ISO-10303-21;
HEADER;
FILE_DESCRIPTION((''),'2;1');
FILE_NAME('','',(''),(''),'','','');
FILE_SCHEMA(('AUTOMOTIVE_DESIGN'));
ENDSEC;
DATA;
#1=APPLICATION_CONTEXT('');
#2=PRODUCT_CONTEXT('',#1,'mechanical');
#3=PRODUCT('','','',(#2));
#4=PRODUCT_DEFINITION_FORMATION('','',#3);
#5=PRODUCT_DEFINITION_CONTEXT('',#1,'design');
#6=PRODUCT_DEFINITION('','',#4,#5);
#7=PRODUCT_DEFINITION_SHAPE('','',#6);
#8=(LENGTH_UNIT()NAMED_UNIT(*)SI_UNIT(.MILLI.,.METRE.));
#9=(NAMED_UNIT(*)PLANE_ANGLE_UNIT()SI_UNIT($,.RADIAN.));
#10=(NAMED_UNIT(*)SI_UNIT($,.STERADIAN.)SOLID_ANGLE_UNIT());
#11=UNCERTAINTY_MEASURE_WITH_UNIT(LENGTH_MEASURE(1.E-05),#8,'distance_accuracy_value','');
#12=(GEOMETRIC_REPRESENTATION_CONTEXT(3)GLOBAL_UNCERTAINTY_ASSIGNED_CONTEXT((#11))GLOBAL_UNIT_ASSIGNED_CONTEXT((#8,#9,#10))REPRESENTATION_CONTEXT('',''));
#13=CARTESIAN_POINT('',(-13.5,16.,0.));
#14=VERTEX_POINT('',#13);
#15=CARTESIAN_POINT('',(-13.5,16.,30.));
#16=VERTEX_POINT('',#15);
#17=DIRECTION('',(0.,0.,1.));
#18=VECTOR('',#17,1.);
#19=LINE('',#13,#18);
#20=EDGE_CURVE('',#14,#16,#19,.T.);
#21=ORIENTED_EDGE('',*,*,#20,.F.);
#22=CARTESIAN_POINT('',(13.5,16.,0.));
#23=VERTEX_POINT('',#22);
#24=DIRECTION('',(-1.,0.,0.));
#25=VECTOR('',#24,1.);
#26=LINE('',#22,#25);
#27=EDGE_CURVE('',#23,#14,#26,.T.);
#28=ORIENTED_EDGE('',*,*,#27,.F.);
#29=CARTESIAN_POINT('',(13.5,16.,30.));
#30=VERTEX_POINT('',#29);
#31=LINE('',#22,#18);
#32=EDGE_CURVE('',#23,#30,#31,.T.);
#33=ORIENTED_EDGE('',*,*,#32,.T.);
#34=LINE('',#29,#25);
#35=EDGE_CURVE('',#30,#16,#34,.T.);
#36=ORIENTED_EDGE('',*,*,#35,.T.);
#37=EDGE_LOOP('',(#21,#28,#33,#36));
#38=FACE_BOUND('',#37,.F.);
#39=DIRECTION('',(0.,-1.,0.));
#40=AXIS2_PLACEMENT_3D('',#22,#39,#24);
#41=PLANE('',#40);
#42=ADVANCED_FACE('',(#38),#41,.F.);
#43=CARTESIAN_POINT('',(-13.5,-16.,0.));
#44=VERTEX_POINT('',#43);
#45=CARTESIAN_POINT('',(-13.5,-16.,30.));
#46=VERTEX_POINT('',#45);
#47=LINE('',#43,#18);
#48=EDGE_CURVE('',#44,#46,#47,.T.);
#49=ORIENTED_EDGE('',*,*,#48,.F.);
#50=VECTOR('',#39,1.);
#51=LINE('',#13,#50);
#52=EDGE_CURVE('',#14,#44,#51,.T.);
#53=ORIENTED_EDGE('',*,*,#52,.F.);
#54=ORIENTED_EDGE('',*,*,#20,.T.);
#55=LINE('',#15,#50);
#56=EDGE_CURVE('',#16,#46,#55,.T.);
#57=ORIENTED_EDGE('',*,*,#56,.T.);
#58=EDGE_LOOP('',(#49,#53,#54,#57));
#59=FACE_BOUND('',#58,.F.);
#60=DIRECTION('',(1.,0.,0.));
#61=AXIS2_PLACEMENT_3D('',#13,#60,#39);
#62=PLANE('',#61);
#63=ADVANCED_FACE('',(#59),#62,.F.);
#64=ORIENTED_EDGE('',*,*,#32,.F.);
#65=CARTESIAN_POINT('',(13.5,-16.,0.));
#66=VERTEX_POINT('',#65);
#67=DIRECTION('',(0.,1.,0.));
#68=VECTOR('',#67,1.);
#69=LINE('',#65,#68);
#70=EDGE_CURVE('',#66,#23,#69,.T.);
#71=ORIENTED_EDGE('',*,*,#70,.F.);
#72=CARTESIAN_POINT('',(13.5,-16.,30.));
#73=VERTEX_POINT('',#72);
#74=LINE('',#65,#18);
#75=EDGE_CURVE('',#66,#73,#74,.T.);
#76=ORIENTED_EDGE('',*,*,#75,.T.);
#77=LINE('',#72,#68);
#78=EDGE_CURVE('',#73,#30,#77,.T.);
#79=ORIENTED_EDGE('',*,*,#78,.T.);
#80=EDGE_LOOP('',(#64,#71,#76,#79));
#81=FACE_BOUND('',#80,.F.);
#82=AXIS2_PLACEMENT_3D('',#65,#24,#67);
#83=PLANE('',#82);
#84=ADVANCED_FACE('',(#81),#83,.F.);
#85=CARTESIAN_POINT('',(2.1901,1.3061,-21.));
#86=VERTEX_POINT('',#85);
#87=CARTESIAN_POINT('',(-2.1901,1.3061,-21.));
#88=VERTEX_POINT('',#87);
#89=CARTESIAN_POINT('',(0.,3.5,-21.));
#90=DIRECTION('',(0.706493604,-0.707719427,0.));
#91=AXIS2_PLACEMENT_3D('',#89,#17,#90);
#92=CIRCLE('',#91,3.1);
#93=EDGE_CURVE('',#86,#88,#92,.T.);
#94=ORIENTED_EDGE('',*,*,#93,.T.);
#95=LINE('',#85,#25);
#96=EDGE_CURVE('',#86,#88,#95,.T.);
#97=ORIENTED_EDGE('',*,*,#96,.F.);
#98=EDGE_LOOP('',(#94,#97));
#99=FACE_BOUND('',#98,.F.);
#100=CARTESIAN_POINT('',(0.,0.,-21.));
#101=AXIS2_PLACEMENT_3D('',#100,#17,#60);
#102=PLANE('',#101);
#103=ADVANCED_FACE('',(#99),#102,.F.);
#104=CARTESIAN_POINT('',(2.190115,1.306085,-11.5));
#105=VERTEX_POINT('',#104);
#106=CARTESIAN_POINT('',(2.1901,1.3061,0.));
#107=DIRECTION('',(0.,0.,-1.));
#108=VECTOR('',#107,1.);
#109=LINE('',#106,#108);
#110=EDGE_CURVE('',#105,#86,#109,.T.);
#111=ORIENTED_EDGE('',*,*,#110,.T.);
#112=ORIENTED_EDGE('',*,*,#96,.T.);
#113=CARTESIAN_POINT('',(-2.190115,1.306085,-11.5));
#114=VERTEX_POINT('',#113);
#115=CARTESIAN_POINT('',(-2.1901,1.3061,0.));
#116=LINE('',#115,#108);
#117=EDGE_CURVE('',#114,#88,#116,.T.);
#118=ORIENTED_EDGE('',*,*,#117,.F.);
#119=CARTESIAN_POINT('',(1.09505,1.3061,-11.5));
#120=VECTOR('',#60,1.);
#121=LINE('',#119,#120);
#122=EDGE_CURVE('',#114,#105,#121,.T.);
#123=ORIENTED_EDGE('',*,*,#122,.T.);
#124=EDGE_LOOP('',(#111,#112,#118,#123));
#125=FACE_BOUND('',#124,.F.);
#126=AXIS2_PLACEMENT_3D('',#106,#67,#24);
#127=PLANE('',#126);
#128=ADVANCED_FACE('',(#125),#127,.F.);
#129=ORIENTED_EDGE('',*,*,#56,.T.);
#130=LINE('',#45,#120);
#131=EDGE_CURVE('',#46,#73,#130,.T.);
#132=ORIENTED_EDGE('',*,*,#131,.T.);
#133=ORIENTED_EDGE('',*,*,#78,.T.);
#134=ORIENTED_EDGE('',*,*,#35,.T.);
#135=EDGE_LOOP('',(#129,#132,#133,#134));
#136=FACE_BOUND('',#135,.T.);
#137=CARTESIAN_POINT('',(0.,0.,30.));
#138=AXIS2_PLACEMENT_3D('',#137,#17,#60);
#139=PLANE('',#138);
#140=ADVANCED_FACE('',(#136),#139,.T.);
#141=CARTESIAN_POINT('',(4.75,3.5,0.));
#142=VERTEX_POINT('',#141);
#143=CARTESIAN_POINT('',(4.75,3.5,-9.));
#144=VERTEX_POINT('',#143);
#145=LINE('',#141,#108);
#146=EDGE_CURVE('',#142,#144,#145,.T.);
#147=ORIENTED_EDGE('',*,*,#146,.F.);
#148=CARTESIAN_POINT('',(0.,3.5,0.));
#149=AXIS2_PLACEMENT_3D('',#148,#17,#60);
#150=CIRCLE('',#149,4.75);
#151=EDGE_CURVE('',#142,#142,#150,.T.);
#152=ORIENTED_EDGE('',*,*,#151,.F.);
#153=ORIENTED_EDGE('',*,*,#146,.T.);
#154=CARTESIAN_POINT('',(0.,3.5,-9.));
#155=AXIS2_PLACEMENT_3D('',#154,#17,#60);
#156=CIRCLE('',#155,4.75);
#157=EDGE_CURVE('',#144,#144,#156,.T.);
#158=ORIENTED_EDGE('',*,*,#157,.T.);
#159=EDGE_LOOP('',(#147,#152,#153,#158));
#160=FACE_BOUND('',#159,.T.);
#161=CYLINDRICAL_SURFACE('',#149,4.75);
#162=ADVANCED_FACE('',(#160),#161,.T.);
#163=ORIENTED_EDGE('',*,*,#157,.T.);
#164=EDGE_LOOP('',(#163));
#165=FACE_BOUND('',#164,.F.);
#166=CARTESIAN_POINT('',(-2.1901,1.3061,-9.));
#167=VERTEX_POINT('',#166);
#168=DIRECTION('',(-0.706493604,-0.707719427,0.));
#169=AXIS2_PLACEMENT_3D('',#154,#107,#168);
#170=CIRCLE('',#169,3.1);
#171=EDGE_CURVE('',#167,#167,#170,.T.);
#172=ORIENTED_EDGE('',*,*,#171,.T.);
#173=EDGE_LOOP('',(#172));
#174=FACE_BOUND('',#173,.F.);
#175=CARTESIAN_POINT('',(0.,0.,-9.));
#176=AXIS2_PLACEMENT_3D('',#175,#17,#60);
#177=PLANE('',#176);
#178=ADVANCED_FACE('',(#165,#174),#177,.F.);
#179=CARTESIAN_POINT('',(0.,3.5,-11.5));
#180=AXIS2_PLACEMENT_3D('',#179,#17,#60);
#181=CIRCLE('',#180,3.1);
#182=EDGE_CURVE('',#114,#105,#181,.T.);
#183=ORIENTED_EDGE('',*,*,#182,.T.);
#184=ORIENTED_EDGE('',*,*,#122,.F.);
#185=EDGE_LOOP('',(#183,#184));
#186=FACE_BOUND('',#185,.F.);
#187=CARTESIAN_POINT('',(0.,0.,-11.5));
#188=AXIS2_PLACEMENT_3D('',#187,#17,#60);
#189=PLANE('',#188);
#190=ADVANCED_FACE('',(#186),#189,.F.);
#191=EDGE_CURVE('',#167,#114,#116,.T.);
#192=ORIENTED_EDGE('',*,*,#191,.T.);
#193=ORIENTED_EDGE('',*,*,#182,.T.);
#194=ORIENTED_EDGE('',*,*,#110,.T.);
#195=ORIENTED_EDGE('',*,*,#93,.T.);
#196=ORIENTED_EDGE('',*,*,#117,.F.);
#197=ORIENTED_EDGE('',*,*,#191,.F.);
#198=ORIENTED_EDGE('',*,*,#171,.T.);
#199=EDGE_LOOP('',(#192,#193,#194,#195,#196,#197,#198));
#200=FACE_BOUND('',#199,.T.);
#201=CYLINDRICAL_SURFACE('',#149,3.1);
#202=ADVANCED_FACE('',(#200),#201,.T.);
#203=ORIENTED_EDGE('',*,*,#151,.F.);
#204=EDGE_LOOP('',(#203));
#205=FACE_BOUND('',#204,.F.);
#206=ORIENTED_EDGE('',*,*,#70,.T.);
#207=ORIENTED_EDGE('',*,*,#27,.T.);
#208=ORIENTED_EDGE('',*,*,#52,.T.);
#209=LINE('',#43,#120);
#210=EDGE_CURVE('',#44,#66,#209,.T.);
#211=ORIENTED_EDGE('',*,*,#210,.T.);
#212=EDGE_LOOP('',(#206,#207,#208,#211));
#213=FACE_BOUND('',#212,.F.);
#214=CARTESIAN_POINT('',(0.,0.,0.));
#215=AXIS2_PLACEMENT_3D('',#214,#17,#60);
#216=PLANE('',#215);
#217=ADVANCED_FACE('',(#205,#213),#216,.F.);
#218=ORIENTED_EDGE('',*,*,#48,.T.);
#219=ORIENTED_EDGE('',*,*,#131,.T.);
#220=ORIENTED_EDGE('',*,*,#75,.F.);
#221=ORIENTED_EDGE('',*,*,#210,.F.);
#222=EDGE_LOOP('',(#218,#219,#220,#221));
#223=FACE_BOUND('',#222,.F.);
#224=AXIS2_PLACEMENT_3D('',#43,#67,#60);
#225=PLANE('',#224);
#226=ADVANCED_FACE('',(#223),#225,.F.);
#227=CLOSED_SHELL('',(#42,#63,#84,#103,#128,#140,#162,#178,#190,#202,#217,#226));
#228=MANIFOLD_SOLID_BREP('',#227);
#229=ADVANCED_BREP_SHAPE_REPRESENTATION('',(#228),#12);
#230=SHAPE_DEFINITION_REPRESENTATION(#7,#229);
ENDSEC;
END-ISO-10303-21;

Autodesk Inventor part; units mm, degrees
ref_plane "YZ Plane" through (0, 0, 0) normal (1, 0, 0) x (0, 1, 0)
ref_plane "XZ Plane" through (0, 0, 0) normal (0, 1, 0) x (-1, 0, 0)
ref_plane "XY Plane" through (0, 0, 0) normal (0, 0, 1) x (1, 0, 0)
sketch "Sketch1" plane through (0, 0, 0) normal (0, 0, 1) x (1, 0, 0)
  line L0 (-13.5, -16) -> (13.5, -16)
  line L1 (13.5, -16) -> (13.5, 16)
  line L2 (13.5, 16) -> (-13.5, 16)
  line L3 (-13.5, 16) -> (-13.5, -16)
  line L4 (-13.5, -16) -> (13.5, 16) construction
  line L5 (13.5, -16) -> (-13.5, 16) construction
  line L6 (0, 0) -> (0, 25.8288) construction
  circle A0 centre (0, 3.5) radius 4.75
  circle A1 centre (0, 3.5) radius 3.1
  line L7 (2.1901, 1.3061) -> (-2.1901, 1.3061)
  dimension "d0" = 27
  dimension "d1" = 32
  dimension "d4" = 9.5
  dimension "d5" = 12.5
  dimension "d8" = 6.2
extrude "Extrusion1" add sketch "Sketch1" along normal blind 30 contours L3 L2 L1 L0 | A0 | A1 L7 | L7 A1
extrude "Extrusion2" add sketch "Sketch1" against normal blind 9 contours A0 | A1 L7 | L7 A1
extrude "Extrusion3" add sketch "Sketch1" against normal blind 21 contours A1 L7 picked at (0.101, 3.0658)
extrude "Extrusion4" add sketch "Sketch1" against normal blind 11.5 contours A1 L7 | L7 A1
properties part number "encoder"
